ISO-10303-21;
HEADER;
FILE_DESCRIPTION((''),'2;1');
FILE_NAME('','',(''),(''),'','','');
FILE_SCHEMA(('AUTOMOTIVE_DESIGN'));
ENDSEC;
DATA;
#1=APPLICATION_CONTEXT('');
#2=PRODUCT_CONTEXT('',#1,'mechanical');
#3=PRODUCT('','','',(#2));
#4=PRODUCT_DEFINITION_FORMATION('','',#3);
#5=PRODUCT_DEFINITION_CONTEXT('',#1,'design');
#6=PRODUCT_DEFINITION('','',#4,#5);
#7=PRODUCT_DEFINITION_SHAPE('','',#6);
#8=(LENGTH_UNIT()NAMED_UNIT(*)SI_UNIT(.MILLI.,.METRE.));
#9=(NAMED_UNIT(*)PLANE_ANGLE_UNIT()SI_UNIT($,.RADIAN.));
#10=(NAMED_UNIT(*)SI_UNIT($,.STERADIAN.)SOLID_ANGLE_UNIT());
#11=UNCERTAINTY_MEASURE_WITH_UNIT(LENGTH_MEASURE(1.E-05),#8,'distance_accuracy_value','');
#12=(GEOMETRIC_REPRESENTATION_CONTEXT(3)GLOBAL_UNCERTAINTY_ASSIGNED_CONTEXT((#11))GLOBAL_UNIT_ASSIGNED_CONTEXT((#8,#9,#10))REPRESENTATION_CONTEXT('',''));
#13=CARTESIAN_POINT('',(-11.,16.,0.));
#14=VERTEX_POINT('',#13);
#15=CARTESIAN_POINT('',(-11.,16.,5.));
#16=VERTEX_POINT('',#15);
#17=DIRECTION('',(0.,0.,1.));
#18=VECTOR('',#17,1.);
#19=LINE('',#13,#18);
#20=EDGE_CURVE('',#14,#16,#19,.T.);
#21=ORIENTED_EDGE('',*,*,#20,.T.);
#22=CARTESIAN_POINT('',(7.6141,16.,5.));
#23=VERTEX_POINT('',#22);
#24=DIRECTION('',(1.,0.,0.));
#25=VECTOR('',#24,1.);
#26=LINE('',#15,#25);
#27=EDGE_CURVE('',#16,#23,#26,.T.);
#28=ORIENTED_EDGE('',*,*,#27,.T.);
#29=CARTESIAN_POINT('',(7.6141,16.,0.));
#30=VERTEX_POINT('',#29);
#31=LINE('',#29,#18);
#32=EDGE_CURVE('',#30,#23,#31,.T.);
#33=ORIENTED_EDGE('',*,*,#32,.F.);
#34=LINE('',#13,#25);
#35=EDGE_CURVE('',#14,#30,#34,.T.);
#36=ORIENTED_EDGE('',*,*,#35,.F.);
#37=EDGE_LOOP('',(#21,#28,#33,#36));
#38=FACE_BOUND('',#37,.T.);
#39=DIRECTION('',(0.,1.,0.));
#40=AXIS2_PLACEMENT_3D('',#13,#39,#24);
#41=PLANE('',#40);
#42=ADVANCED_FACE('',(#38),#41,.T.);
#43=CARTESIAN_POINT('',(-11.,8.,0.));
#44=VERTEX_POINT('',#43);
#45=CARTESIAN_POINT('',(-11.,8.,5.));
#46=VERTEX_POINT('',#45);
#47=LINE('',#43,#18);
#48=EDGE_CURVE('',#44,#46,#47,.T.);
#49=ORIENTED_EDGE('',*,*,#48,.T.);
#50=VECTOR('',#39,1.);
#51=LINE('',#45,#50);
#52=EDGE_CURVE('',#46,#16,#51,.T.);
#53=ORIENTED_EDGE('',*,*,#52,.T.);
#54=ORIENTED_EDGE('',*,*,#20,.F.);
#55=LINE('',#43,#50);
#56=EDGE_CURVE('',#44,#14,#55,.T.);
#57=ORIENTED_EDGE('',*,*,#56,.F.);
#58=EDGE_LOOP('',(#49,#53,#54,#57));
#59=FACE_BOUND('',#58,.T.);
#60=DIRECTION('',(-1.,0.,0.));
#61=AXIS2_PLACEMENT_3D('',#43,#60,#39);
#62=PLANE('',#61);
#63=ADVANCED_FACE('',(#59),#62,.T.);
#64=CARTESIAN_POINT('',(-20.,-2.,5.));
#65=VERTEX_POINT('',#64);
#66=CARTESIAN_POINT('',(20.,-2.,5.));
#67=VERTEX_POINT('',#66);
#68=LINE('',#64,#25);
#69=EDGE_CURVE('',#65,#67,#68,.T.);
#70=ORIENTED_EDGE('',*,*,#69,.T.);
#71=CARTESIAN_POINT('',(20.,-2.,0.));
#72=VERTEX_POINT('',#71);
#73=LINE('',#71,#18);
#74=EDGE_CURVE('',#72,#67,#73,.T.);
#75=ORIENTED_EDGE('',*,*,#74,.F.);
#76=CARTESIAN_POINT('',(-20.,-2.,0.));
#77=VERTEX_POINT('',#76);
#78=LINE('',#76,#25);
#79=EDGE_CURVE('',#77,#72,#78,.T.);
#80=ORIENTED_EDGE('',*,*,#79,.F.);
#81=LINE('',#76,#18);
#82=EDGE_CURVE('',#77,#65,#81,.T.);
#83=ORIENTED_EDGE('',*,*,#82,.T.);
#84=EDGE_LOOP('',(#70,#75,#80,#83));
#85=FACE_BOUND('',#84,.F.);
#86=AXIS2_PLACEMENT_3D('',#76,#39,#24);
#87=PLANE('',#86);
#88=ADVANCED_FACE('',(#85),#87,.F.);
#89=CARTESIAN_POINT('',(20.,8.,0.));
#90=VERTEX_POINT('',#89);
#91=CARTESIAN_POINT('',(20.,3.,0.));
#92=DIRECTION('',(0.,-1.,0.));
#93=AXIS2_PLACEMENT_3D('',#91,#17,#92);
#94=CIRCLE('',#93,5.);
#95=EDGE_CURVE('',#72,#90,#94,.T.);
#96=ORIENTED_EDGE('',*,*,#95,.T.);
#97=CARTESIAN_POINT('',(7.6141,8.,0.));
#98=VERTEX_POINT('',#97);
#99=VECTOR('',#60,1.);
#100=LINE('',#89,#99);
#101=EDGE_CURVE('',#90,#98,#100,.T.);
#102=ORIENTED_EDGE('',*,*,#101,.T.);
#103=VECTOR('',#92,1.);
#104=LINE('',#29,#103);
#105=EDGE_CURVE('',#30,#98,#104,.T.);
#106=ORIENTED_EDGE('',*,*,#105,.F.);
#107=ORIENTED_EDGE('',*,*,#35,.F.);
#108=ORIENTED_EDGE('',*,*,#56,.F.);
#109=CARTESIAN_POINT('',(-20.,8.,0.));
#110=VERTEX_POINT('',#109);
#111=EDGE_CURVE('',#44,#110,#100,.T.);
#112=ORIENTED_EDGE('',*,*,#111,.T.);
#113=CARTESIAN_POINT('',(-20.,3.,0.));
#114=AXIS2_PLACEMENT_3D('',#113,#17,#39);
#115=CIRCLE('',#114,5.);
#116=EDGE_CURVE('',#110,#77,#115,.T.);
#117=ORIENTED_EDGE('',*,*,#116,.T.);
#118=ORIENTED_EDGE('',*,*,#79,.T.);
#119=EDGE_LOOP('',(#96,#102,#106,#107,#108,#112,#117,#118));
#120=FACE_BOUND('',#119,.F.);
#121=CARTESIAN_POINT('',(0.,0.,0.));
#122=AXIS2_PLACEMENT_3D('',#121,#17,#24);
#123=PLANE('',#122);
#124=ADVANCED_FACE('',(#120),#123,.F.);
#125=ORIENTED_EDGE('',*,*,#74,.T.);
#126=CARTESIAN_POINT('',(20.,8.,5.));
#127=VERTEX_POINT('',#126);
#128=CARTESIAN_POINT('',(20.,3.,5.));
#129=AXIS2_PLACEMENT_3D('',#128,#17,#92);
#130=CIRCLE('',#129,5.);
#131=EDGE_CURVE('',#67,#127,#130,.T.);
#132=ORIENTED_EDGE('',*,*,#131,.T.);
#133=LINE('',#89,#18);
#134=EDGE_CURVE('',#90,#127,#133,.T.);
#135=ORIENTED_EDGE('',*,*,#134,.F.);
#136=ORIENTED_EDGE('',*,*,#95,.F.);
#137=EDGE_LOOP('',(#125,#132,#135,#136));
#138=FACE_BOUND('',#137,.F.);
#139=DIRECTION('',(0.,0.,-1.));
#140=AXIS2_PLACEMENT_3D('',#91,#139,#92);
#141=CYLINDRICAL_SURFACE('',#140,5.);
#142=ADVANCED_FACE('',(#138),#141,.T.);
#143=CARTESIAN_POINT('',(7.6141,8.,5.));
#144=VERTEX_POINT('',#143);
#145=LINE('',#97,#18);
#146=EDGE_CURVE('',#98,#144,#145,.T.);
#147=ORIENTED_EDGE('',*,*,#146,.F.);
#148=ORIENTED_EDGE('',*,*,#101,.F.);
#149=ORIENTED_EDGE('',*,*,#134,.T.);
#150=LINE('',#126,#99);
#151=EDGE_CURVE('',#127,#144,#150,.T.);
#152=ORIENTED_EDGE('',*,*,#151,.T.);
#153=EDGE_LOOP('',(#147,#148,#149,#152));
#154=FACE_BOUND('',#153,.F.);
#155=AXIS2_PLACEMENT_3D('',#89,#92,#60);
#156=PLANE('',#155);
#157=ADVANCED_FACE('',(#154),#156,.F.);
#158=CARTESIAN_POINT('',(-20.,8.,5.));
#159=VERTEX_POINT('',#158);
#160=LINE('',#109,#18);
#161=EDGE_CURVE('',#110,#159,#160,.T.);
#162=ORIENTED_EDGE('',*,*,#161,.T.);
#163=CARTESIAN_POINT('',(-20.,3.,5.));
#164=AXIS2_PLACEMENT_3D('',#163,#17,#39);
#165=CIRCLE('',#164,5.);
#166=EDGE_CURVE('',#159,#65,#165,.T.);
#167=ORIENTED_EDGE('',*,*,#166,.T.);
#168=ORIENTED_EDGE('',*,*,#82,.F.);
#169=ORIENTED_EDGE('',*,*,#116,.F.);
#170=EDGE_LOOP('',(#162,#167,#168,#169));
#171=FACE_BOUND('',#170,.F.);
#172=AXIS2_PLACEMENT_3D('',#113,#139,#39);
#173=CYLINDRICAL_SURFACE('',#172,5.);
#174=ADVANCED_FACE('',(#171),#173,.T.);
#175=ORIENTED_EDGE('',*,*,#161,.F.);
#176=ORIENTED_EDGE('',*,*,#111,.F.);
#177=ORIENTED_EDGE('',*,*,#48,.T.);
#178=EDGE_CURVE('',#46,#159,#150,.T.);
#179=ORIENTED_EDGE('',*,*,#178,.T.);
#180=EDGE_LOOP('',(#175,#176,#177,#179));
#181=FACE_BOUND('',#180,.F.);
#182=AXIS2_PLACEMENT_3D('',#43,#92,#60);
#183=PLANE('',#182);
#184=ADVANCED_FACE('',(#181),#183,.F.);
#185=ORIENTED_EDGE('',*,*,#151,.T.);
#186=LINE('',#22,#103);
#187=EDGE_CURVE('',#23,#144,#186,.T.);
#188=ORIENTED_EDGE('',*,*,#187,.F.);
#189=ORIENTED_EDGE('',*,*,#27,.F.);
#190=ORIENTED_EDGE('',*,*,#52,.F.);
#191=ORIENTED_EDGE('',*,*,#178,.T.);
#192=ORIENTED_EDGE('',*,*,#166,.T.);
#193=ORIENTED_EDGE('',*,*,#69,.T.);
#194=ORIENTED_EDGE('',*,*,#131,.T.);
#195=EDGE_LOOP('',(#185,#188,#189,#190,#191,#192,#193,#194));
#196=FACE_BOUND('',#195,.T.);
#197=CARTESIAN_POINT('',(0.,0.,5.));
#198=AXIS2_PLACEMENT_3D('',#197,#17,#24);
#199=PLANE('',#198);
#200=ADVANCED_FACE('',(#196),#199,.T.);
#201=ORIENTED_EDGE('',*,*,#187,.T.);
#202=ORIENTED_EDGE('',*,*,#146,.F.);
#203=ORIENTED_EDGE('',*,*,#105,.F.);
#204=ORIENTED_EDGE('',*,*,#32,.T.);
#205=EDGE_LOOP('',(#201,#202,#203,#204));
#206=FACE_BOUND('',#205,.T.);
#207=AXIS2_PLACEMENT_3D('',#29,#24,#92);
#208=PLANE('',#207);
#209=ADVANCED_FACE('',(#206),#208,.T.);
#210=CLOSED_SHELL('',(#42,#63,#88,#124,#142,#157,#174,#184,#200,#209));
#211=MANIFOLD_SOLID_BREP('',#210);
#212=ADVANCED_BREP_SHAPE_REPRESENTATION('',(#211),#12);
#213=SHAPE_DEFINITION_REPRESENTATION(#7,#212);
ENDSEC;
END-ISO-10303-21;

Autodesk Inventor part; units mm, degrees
ref_plane "YZ Plane" through (0, 0, 0) normal (1, 0, 0) x (0, 1, 0)
ref_plane "XZ Plane" through (0, 0, 0) normal (0, 1, 0) x (-1, 0, 0)
ref_plane "XY Plane" through (0, 0, 0) normal (0, 0, 1) x (1, 0, 0)
sketch "Sketch1" plane through (0, 0, 0) normal (0, 0, 1) x (1, 0, 0)
  line L0 (-20, 3) -> (20, 3) construction
  line L1 (-20, -2) -> (20, -2)
  line L2 (20, 8) -> (-20, 8)
  arc A0 (-20, 8) -> (-20, -2) centre (-20, 3) ccw
  arc A1 (20, -2) -> (20, 8) centre (20, 3) ccw
  line L3 (-11, 16) -> (7.6141, 16)
  line L4 (7.6141, 16) -> (7.6141, 8)
  line L5 (7.6141, 8) -> (-11, 8)
  line L6 (-11, 8) -> (-11, 16)
  point P0 (0, 0)
  point P1 (0, 3)
  dimension "d0" = 10
  dimension "d2" = 40
extrude "Extrusion1" add sketch "Sketch1" along normal blind 5 contours A0 L2 A1 L1
extrude "Extrusion3" add sketch "Sketch1" along normal blind 5 contours L6 L3 L4 L2
properties material "Copper, Alloy"
